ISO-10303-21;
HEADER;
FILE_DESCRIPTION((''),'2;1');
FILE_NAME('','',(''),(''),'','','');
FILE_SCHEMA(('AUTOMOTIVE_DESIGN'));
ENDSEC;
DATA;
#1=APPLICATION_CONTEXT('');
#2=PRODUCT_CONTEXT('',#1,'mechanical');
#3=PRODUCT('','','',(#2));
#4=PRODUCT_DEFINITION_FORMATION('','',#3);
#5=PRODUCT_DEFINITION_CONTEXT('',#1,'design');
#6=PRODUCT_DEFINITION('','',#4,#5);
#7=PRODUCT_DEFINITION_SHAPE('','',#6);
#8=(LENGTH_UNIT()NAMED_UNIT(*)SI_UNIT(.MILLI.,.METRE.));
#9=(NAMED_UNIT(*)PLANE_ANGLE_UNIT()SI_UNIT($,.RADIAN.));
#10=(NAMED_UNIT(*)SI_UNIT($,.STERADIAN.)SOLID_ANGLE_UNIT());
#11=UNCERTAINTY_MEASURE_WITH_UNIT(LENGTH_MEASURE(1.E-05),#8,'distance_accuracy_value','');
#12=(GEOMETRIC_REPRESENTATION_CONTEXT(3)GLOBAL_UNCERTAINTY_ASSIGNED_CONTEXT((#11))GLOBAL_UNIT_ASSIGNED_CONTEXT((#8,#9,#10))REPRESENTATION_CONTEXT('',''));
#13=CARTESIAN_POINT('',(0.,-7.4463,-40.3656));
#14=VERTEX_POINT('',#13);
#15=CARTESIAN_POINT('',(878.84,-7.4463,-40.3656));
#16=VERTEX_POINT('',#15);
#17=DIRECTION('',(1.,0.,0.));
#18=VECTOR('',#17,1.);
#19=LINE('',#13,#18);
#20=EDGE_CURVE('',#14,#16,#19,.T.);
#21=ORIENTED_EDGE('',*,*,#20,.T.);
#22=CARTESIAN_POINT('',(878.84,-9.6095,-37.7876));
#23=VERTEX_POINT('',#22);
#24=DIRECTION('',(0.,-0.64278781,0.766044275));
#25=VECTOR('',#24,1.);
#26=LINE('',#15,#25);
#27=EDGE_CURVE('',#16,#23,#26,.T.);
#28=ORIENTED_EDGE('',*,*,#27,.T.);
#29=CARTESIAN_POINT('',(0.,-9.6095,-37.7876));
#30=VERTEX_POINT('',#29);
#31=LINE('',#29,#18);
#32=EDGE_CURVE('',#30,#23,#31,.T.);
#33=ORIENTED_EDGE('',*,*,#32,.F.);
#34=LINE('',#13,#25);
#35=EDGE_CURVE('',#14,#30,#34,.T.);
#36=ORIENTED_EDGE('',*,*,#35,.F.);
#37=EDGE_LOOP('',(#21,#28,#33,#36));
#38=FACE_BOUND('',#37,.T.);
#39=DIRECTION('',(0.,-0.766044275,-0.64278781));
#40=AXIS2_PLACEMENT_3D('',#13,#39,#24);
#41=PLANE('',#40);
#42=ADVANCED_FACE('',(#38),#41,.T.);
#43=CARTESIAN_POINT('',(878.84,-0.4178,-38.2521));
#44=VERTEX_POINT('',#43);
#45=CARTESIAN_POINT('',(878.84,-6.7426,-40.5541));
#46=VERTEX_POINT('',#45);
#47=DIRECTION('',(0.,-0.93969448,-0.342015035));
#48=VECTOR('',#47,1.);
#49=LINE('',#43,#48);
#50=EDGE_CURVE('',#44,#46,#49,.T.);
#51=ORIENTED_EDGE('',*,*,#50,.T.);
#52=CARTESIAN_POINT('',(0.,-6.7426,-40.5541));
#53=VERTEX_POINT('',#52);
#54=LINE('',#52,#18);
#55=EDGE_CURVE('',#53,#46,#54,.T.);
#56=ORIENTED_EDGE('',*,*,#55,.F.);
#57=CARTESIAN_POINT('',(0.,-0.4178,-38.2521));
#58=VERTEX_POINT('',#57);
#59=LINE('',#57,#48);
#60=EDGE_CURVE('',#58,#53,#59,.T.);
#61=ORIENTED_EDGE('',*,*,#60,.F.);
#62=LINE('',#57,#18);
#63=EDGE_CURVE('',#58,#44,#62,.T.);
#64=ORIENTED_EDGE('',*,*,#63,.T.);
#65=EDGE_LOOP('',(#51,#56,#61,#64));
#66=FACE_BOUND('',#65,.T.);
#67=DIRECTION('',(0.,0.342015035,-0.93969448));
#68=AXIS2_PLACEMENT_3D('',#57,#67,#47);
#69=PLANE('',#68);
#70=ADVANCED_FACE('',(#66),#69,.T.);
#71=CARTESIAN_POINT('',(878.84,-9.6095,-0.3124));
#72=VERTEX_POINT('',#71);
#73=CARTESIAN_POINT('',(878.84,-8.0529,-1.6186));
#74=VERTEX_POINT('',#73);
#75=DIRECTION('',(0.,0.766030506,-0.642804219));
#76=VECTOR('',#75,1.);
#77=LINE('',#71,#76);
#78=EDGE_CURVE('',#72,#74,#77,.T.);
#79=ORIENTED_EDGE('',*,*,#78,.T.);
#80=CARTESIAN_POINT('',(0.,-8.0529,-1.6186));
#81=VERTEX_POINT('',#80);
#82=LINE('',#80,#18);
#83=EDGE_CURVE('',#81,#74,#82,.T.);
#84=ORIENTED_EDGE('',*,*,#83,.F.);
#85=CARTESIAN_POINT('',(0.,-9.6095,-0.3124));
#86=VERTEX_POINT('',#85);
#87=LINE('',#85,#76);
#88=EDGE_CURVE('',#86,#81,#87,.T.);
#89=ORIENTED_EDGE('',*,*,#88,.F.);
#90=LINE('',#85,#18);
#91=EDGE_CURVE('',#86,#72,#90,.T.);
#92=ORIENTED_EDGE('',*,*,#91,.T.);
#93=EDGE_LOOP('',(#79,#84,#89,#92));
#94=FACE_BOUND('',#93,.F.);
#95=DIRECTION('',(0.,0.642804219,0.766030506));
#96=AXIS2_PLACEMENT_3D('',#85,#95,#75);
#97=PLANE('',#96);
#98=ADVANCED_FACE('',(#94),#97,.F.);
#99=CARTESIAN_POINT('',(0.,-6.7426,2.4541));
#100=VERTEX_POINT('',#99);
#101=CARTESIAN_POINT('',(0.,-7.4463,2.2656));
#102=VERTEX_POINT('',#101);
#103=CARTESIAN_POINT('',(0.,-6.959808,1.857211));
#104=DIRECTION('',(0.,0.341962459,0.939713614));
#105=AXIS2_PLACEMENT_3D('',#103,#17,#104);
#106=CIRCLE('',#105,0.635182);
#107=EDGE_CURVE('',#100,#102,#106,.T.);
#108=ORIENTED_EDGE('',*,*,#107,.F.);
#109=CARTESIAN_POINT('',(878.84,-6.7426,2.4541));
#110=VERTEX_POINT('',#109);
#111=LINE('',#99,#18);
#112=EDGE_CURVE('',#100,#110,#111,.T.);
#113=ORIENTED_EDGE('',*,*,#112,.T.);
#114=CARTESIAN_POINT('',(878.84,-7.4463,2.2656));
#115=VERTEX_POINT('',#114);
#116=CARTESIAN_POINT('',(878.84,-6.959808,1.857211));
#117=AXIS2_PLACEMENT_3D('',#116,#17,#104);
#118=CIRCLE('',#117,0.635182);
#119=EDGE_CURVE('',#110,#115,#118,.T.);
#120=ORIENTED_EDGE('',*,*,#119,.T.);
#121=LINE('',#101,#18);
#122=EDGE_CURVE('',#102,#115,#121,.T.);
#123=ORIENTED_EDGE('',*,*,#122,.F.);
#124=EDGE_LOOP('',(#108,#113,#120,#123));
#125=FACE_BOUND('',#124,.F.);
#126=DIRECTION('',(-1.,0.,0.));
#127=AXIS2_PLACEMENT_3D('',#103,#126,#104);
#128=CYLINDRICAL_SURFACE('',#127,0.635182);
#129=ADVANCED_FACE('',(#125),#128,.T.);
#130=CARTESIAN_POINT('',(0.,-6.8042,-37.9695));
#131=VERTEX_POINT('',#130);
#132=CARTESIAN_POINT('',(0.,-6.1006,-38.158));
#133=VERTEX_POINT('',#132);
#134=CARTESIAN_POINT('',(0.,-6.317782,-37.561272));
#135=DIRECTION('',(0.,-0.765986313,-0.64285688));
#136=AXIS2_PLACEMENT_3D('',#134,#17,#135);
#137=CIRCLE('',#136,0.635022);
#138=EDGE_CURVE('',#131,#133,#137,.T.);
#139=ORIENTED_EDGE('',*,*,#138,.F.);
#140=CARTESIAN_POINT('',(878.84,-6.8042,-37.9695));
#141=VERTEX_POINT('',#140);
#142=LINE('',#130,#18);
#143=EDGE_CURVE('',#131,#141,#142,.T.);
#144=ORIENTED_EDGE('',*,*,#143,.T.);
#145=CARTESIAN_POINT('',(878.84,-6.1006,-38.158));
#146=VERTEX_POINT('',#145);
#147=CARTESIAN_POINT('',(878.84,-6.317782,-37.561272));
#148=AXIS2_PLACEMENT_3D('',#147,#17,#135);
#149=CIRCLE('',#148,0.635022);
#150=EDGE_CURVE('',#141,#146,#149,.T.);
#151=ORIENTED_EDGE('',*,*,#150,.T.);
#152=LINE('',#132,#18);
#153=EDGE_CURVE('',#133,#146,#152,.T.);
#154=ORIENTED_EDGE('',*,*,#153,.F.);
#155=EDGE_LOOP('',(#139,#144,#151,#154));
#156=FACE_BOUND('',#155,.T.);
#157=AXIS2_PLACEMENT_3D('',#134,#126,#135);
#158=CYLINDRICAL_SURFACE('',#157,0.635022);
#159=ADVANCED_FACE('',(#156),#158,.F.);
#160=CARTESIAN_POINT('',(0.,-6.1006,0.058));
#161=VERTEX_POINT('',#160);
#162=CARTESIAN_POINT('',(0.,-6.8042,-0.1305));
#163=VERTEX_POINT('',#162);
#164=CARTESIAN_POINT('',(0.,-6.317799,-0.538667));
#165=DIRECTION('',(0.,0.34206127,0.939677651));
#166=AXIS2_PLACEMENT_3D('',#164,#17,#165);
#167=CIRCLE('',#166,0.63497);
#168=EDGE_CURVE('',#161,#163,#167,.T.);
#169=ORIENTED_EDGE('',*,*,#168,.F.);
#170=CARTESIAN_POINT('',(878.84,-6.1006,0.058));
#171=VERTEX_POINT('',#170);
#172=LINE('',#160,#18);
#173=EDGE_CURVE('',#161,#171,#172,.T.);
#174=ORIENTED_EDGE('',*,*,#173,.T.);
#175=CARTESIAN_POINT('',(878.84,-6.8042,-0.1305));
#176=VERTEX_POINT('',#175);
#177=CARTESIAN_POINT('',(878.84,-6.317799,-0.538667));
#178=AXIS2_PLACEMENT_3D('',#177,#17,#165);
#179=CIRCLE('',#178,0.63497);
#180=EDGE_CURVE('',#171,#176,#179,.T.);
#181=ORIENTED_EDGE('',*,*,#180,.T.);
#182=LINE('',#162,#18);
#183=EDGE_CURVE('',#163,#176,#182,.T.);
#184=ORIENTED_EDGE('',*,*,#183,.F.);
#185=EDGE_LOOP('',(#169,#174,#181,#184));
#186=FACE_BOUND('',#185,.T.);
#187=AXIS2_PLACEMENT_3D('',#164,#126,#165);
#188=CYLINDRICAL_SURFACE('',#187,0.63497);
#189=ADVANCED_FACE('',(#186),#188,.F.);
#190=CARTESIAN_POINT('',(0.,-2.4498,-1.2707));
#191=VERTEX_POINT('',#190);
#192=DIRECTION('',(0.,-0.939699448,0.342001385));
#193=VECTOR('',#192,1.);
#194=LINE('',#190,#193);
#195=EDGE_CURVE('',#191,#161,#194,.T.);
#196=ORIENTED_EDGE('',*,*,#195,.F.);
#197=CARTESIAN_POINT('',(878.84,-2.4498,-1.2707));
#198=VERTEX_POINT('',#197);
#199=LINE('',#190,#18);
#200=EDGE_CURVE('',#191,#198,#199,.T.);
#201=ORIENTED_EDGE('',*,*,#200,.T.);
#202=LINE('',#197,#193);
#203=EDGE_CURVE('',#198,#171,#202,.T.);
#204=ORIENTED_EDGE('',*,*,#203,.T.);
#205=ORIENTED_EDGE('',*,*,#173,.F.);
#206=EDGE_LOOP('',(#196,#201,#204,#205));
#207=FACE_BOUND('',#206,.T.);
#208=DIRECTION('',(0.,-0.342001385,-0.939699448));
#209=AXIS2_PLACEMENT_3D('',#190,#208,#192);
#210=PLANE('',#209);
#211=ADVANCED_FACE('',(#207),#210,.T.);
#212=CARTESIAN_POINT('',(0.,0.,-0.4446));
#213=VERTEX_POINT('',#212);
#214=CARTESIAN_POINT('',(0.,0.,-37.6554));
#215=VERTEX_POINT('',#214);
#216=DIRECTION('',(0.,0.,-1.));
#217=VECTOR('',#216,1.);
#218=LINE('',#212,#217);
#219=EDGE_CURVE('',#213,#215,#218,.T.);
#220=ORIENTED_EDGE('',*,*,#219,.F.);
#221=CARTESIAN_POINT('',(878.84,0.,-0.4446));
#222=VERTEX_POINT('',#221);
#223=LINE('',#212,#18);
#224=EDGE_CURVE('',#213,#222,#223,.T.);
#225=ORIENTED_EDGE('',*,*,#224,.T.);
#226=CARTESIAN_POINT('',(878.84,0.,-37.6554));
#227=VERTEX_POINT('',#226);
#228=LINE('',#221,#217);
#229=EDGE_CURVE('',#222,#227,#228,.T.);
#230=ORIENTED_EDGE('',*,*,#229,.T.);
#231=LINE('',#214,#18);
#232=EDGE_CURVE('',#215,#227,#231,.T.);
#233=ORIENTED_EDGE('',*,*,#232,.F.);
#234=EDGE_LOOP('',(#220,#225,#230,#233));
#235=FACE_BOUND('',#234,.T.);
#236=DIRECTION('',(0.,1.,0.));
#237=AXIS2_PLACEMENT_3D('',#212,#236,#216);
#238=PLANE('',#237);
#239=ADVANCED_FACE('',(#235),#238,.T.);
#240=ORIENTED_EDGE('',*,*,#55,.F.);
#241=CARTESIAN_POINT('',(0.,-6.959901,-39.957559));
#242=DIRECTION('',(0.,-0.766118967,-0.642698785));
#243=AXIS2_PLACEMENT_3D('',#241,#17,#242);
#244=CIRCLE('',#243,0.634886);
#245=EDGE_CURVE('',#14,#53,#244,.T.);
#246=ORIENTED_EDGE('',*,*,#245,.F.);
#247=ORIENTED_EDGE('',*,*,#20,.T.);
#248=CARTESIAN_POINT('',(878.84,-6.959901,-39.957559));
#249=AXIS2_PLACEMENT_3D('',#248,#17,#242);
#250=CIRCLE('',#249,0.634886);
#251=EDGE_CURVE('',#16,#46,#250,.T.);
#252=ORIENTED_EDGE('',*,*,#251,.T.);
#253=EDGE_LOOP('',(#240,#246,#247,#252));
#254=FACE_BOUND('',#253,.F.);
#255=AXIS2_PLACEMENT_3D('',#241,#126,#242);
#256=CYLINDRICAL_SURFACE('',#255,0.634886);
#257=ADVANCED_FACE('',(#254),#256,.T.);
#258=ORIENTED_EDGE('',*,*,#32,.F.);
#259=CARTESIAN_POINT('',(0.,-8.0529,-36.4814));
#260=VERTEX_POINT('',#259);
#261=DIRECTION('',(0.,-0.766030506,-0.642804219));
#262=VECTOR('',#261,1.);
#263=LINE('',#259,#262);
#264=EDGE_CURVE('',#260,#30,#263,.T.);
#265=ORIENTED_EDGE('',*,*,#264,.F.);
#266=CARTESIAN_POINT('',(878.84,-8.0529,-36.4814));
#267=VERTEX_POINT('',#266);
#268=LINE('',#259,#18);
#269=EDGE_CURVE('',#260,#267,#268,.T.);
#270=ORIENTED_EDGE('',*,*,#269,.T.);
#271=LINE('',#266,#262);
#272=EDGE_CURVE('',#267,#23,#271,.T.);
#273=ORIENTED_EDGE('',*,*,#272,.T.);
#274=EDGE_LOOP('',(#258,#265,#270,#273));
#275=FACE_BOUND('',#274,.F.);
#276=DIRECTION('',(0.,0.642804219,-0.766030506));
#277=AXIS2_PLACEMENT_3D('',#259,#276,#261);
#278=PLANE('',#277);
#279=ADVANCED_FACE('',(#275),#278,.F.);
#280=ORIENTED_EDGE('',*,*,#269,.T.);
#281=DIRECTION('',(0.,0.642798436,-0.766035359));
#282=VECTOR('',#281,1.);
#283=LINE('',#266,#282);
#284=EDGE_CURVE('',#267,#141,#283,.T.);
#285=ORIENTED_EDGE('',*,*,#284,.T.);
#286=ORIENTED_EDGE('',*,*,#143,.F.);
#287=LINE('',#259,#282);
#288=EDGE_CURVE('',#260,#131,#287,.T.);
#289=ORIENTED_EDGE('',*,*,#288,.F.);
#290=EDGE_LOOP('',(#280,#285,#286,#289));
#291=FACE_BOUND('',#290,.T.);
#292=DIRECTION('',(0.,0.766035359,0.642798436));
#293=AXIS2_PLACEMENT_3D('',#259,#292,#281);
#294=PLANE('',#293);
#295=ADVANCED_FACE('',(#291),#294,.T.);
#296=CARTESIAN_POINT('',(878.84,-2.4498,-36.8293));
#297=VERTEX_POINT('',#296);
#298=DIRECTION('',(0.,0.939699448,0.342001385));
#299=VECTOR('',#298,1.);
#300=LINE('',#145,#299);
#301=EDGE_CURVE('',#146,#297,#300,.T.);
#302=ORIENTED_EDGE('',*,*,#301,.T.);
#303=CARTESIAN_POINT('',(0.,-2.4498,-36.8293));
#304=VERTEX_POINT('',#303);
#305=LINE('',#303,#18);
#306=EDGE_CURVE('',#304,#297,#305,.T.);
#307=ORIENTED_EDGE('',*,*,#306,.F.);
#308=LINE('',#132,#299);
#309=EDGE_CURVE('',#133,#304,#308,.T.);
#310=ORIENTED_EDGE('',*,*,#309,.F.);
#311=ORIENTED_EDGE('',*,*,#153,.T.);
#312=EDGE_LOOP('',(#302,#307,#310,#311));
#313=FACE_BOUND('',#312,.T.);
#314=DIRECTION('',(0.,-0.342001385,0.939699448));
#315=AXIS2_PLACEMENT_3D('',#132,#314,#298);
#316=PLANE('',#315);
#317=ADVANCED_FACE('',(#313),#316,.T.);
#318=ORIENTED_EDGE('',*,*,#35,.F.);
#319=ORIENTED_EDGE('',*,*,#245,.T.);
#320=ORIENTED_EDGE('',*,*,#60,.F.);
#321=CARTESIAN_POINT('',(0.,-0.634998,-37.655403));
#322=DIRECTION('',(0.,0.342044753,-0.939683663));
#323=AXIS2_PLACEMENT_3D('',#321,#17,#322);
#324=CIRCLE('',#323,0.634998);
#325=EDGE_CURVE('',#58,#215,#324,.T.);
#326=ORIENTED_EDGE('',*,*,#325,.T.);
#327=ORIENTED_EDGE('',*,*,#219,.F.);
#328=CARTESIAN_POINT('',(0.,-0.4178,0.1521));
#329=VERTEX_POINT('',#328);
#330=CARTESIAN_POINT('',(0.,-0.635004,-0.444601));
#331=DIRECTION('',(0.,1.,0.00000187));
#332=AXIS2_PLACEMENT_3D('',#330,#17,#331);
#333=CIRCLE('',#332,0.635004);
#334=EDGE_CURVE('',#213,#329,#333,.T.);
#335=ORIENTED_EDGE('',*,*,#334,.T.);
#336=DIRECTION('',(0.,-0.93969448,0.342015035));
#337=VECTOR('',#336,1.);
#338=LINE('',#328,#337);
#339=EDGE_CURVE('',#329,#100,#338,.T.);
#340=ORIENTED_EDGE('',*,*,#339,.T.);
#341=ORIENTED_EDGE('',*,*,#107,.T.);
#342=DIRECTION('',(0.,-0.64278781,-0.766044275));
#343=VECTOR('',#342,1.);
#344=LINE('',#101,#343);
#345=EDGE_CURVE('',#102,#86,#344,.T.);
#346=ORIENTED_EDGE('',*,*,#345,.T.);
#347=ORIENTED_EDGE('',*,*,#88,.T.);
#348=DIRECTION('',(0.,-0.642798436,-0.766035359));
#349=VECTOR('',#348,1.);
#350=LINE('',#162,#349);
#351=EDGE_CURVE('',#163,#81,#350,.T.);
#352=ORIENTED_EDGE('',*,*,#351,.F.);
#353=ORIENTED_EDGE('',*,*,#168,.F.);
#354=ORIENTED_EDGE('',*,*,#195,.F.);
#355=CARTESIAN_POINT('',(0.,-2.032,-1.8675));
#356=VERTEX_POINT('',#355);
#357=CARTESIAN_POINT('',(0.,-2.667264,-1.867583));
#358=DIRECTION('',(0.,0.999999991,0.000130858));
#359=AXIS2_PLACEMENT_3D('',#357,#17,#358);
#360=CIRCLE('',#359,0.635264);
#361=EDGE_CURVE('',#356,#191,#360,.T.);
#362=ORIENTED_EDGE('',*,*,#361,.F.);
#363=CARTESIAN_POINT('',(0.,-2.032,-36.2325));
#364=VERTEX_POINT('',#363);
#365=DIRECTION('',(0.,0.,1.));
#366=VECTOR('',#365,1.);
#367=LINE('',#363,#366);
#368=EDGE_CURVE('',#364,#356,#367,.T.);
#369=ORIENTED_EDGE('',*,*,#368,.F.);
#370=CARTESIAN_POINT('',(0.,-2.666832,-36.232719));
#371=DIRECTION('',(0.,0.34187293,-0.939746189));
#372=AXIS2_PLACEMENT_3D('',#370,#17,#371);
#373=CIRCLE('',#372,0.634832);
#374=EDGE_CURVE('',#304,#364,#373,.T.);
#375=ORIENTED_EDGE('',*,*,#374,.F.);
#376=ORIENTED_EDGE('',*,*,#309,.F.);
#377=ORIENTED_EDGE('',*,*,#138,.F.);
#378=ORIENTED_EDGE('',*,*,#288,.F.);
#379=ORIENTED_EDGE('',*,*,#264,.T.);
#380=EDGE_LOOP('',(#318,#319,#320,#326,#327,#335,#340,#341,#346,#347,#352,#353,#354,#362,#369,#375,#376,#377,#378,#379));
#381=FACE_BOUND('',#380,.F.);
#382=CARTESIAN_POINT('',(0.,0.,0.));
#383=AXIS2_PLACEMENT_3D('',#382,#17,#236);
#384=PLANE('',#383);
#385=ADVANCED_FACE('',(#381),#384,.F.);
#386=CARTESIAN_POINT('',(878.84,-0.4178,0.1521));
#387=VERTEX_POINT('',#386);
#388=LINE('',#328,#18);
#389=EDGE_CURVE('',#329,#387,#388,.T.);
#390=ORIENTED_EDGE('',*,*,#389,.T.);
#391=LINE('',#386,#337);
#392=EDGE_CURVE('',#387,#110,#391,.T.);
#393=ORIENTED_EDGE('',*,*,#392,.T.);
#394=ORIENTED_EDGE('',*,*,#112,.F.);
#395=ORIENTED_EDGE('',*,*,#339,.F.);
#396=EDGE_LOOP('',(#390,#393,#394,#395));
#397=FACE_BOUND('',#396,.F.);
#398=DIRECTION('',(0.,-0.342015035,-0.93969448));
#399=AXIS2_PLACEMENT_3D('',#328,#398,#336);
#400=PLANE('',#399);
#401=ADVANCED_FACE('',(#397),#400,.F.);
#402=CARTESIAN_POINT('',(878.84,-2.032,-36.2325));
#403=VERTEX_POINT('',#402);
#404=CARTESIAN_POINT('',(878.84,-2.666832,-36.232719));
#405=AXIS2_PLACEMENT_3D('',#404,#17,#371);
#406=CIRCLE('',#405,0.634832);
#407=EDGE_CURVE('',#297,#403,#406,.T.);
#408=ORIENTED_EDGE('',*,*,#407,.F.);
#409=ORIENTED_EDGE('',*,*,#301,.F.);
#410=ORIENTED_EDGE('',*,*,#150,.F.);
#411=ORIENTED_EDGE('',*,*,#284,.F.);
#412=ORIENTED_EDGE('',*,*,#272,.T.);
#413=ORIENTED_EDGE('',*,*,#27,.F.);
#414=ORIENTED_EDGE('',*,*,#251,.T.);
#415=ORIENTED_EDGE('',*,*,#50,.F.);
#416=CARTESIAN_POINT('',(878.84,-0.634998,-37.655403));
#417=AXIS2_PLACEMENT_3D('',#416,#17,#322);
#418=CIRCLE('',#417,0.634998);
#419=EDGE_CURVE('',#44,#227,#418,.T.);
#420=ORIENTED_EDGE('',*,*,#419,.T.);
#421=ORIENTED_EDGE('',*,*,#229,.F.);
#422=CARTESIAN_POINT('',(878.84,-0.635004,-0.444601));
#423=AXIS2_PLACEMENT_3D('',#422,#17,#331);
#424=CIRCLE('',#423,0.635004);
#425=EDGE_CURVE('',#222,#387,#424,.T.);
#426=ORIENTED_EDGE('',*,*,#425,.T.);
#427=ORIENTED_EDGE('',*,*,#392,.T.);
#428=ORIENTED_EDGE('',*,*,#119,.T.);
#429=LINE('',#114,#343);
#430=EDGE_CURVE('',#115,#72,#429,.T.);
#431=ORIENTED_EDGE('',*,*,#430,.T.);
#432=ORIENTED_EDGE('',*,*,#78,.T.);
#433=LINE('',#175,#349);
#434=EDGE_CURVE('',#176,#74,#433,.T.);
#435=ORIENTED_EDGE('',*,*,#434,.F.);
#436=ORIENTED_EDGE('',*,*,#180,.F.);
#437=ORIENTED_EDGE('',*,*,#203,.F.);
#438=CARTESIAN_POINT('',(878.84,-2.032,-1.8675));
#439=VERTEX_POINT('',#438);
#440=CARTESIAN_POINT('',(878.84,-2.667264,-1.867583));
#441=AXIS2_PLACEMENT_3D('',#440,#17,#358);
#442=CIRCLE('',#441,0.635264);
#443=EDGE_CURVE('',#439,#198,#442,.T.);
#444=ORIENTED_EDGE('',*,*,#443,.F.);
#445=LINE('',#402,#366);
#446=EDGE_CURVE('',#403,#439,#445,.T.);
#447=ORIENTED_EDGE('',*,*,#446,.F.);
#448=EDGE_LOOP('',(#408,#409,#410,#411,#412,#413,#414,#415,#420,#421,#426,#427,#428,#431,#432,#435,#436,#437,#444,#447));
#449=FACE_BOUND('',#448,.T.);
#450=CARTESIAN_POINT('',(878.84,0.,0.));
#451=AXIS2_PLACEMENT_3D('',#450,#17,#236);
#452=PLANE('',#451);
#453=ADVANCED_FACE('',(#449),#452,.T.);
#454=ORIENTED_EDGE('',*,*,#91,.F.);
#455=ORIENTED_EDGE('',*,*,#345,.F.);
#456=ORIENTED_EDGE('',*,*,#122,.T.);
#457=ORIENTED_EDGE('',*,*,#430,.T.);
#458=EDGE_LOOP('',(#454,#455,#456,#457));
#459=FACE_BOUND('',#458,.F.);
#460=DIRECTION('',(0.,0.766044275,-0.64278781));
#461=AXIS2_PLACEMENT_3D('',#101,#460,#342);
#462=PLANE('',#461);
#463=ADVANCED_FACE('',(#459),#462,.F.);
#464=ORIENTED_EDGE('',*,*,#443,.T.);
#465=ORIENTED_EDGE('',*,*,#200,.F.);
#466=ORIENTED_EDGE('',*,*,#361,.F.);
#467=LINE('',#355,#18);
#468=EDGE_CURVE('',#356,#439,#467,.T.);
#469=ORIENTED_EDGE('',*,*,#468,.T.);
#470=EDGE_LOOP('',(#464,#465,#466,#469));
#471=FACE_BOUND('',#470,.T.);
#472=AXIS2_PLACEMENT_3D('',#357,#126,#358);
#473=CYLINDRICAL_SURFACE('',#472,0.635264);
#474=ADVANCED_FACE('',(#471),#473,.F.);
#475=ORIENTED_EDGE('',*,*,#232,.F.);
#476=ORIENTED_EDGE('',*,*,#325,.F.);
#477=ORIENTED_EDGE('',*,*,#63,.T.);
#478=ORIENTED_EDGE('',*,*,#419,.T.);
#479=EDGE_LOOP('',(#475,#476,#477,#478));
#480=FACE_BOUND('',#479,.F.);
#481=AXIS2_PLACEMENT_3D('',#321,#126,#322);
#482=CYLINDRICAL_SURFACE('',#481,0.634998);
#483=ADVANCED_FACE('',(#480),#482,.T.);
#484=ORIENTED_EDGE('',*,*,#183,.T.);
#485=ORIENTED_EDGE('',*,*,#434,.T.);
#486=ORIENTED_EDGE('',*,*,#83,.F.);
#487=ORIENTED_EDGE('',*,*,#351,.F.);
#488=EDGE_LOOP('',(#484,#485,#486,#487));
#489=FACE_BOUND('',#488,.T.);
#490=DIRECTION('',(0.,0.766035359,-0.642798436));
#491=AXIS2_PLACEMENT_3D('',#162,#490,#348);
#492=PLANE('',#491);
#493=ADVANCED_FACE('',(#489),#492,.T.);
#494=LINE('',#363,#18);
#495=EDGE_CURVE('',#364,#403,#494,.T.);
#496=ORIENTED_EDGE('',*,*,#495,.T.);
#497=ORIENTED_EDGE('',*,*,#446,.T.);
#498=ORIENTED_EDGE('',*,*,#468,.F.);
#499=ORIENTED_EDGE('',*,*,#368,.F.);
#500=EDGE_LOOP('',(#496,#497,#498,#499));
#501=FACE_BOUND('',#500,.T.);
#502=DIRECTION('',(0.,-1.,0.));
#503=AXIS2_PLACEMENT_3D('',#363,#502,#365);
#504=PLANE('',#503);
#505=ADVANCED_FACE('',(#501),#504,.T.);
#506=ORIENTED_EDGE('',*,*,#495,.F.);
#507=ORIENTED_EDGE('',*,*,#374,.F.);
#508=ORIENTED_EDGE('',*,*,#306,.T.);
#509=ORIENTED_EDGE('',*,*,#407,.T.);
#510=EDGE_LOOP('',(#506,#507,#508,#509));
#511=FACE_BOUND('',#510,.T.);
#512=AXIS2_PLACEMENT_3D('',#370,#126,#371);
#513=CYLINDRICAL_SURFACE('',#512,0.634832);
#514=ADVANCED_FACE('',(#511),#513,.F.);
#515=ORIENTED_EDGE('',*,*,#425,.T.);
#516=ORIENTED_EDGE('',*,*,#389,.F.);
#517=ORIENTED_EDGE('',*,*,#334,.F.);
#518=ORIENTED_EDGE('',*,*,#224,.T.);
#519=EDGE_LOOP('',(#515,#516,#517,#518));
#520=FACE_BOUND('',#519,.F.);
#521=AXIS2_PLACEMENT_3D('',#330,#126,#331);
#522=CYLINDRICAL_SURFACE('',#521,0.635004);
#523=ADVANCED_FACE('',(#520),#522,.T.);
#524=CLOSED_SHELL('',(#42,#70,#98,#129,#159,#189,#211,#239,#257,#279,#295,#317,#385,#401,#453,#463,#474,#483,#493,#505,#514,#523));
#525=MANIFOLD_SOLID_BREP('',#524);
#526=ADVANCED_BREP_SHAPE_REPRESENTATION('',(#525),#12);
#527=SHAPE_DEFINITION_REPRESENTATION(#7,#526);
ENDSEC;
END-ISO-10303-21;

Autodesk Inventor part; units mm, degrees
ref_plane "YZ Plane" through (0, 0, 0) normal (1, 0, 0) x (0, 1, 0)
ref_plane "XZ Plane" through (0, 0, 0) normal (0, 1, 0) x (-1, 0, 0)
ref_plane "XY Plane" through (0, 0, 0) normal (0, 0, 1) x (1, 0, 0)
sketch "Sketch1" plane through (0, 0, 0) normal (1, 0, 0) x (0, 1, 0)
  line L0 (0, -0.4446) -> (0, -37.6554)
  line L1 (-0.4178, 0.1521) -> (-6.7426, 2.4541)
  line L2 (-7.4463, 2.2656) -> (-9.6095, -0.3124)
  line L3 (-0.4178, -38.2521) -> (-6.7426, -40.5541)
  line L4 (-7.4463, -40.3656) -> (-9.6095, -37.7876)
  line L5 (-8.0529, -36.4814) -> (-6.8042, -37.9695)
  line L6 (-6.1006, -38.158) -> (-2.4498, -36.8293)
  line L7 (-2.032, -36.2325) -> (-2.032, -1.8675)
  line L8 (-2.4498, -1.2707) -> (-6.1006, 0.058)
  line L9 (-6.8042, -0.1305) -> (-8.0529, -1.6186)
  line L10 (-9.6095, -0.3124) -> (-8.0529, -1.6186)
  line L11 (-8.0529, -36.4814) -> (-9.6095, -37.7876)
  arc A0 (0, -0.4446) -> (-0.4178, 0.1521) centre (-0.635, -0.4446) ccw
  arc A1 (-2.032, -1.8675) -> (-2.4498, -1.2707) centre (-2.667, -1.8675) ccw
  arc A2 (-6.1006, 0.058) -> (-6.8042, -0.1305) centre (-6.3178, -0.5387) ccw
  arc A3 (-6.7426, 2.4541) -> (-7.4463, 2.2656) centre (-6.9598, 1.8574) ccw
  arc A4 (-0.4178, -38.2521) -> (0, -37.6554) centre (-0.635, -37.6554) ccw
  arc A5 (-2.4498, -36.8293) -> (-2.032, -36.2325) centre (-2.667, -36.2325) ccw
  arc A6 (-6.8042, -37.9695) -> (-6.1006, -38.158) centre (-6.3178, -37.5613) ccw
  arc A7 (-7.4463, -40.3656) -> (-6.7426, -40.5541) centre (-6.9598, -39.9574) ccw
  point P0 (0, 0)
  point P1 (0, -38.1)
  point P2 (-7.1605, 2.6062)
  point P3 (-7.1605, -40.7062)
  point P4 (-6.5184, -38.3101)
  point P5 (-6.5184, 0.2101)
  dimension "d7" = 7.62
  dimension "d8" = 3.81
  dimension "d9" = 110
  dimension "d10" = 110
  dimension "d11" = 7.62
  dimension "d12" = 3.81
  dimension "d13" = 110
  dimension "d14" = 110
  dimension "d15" = 38.1
  dimension "d16" = 2.032
  dimension "d17" = 2.3872
  dimension "d18" = 2.3872
  dimension "d19" = 0.635
extrude "Extrusion1" add sketch "Sketch1" along normal blind 878.84
properties part number "the inside slider part"
